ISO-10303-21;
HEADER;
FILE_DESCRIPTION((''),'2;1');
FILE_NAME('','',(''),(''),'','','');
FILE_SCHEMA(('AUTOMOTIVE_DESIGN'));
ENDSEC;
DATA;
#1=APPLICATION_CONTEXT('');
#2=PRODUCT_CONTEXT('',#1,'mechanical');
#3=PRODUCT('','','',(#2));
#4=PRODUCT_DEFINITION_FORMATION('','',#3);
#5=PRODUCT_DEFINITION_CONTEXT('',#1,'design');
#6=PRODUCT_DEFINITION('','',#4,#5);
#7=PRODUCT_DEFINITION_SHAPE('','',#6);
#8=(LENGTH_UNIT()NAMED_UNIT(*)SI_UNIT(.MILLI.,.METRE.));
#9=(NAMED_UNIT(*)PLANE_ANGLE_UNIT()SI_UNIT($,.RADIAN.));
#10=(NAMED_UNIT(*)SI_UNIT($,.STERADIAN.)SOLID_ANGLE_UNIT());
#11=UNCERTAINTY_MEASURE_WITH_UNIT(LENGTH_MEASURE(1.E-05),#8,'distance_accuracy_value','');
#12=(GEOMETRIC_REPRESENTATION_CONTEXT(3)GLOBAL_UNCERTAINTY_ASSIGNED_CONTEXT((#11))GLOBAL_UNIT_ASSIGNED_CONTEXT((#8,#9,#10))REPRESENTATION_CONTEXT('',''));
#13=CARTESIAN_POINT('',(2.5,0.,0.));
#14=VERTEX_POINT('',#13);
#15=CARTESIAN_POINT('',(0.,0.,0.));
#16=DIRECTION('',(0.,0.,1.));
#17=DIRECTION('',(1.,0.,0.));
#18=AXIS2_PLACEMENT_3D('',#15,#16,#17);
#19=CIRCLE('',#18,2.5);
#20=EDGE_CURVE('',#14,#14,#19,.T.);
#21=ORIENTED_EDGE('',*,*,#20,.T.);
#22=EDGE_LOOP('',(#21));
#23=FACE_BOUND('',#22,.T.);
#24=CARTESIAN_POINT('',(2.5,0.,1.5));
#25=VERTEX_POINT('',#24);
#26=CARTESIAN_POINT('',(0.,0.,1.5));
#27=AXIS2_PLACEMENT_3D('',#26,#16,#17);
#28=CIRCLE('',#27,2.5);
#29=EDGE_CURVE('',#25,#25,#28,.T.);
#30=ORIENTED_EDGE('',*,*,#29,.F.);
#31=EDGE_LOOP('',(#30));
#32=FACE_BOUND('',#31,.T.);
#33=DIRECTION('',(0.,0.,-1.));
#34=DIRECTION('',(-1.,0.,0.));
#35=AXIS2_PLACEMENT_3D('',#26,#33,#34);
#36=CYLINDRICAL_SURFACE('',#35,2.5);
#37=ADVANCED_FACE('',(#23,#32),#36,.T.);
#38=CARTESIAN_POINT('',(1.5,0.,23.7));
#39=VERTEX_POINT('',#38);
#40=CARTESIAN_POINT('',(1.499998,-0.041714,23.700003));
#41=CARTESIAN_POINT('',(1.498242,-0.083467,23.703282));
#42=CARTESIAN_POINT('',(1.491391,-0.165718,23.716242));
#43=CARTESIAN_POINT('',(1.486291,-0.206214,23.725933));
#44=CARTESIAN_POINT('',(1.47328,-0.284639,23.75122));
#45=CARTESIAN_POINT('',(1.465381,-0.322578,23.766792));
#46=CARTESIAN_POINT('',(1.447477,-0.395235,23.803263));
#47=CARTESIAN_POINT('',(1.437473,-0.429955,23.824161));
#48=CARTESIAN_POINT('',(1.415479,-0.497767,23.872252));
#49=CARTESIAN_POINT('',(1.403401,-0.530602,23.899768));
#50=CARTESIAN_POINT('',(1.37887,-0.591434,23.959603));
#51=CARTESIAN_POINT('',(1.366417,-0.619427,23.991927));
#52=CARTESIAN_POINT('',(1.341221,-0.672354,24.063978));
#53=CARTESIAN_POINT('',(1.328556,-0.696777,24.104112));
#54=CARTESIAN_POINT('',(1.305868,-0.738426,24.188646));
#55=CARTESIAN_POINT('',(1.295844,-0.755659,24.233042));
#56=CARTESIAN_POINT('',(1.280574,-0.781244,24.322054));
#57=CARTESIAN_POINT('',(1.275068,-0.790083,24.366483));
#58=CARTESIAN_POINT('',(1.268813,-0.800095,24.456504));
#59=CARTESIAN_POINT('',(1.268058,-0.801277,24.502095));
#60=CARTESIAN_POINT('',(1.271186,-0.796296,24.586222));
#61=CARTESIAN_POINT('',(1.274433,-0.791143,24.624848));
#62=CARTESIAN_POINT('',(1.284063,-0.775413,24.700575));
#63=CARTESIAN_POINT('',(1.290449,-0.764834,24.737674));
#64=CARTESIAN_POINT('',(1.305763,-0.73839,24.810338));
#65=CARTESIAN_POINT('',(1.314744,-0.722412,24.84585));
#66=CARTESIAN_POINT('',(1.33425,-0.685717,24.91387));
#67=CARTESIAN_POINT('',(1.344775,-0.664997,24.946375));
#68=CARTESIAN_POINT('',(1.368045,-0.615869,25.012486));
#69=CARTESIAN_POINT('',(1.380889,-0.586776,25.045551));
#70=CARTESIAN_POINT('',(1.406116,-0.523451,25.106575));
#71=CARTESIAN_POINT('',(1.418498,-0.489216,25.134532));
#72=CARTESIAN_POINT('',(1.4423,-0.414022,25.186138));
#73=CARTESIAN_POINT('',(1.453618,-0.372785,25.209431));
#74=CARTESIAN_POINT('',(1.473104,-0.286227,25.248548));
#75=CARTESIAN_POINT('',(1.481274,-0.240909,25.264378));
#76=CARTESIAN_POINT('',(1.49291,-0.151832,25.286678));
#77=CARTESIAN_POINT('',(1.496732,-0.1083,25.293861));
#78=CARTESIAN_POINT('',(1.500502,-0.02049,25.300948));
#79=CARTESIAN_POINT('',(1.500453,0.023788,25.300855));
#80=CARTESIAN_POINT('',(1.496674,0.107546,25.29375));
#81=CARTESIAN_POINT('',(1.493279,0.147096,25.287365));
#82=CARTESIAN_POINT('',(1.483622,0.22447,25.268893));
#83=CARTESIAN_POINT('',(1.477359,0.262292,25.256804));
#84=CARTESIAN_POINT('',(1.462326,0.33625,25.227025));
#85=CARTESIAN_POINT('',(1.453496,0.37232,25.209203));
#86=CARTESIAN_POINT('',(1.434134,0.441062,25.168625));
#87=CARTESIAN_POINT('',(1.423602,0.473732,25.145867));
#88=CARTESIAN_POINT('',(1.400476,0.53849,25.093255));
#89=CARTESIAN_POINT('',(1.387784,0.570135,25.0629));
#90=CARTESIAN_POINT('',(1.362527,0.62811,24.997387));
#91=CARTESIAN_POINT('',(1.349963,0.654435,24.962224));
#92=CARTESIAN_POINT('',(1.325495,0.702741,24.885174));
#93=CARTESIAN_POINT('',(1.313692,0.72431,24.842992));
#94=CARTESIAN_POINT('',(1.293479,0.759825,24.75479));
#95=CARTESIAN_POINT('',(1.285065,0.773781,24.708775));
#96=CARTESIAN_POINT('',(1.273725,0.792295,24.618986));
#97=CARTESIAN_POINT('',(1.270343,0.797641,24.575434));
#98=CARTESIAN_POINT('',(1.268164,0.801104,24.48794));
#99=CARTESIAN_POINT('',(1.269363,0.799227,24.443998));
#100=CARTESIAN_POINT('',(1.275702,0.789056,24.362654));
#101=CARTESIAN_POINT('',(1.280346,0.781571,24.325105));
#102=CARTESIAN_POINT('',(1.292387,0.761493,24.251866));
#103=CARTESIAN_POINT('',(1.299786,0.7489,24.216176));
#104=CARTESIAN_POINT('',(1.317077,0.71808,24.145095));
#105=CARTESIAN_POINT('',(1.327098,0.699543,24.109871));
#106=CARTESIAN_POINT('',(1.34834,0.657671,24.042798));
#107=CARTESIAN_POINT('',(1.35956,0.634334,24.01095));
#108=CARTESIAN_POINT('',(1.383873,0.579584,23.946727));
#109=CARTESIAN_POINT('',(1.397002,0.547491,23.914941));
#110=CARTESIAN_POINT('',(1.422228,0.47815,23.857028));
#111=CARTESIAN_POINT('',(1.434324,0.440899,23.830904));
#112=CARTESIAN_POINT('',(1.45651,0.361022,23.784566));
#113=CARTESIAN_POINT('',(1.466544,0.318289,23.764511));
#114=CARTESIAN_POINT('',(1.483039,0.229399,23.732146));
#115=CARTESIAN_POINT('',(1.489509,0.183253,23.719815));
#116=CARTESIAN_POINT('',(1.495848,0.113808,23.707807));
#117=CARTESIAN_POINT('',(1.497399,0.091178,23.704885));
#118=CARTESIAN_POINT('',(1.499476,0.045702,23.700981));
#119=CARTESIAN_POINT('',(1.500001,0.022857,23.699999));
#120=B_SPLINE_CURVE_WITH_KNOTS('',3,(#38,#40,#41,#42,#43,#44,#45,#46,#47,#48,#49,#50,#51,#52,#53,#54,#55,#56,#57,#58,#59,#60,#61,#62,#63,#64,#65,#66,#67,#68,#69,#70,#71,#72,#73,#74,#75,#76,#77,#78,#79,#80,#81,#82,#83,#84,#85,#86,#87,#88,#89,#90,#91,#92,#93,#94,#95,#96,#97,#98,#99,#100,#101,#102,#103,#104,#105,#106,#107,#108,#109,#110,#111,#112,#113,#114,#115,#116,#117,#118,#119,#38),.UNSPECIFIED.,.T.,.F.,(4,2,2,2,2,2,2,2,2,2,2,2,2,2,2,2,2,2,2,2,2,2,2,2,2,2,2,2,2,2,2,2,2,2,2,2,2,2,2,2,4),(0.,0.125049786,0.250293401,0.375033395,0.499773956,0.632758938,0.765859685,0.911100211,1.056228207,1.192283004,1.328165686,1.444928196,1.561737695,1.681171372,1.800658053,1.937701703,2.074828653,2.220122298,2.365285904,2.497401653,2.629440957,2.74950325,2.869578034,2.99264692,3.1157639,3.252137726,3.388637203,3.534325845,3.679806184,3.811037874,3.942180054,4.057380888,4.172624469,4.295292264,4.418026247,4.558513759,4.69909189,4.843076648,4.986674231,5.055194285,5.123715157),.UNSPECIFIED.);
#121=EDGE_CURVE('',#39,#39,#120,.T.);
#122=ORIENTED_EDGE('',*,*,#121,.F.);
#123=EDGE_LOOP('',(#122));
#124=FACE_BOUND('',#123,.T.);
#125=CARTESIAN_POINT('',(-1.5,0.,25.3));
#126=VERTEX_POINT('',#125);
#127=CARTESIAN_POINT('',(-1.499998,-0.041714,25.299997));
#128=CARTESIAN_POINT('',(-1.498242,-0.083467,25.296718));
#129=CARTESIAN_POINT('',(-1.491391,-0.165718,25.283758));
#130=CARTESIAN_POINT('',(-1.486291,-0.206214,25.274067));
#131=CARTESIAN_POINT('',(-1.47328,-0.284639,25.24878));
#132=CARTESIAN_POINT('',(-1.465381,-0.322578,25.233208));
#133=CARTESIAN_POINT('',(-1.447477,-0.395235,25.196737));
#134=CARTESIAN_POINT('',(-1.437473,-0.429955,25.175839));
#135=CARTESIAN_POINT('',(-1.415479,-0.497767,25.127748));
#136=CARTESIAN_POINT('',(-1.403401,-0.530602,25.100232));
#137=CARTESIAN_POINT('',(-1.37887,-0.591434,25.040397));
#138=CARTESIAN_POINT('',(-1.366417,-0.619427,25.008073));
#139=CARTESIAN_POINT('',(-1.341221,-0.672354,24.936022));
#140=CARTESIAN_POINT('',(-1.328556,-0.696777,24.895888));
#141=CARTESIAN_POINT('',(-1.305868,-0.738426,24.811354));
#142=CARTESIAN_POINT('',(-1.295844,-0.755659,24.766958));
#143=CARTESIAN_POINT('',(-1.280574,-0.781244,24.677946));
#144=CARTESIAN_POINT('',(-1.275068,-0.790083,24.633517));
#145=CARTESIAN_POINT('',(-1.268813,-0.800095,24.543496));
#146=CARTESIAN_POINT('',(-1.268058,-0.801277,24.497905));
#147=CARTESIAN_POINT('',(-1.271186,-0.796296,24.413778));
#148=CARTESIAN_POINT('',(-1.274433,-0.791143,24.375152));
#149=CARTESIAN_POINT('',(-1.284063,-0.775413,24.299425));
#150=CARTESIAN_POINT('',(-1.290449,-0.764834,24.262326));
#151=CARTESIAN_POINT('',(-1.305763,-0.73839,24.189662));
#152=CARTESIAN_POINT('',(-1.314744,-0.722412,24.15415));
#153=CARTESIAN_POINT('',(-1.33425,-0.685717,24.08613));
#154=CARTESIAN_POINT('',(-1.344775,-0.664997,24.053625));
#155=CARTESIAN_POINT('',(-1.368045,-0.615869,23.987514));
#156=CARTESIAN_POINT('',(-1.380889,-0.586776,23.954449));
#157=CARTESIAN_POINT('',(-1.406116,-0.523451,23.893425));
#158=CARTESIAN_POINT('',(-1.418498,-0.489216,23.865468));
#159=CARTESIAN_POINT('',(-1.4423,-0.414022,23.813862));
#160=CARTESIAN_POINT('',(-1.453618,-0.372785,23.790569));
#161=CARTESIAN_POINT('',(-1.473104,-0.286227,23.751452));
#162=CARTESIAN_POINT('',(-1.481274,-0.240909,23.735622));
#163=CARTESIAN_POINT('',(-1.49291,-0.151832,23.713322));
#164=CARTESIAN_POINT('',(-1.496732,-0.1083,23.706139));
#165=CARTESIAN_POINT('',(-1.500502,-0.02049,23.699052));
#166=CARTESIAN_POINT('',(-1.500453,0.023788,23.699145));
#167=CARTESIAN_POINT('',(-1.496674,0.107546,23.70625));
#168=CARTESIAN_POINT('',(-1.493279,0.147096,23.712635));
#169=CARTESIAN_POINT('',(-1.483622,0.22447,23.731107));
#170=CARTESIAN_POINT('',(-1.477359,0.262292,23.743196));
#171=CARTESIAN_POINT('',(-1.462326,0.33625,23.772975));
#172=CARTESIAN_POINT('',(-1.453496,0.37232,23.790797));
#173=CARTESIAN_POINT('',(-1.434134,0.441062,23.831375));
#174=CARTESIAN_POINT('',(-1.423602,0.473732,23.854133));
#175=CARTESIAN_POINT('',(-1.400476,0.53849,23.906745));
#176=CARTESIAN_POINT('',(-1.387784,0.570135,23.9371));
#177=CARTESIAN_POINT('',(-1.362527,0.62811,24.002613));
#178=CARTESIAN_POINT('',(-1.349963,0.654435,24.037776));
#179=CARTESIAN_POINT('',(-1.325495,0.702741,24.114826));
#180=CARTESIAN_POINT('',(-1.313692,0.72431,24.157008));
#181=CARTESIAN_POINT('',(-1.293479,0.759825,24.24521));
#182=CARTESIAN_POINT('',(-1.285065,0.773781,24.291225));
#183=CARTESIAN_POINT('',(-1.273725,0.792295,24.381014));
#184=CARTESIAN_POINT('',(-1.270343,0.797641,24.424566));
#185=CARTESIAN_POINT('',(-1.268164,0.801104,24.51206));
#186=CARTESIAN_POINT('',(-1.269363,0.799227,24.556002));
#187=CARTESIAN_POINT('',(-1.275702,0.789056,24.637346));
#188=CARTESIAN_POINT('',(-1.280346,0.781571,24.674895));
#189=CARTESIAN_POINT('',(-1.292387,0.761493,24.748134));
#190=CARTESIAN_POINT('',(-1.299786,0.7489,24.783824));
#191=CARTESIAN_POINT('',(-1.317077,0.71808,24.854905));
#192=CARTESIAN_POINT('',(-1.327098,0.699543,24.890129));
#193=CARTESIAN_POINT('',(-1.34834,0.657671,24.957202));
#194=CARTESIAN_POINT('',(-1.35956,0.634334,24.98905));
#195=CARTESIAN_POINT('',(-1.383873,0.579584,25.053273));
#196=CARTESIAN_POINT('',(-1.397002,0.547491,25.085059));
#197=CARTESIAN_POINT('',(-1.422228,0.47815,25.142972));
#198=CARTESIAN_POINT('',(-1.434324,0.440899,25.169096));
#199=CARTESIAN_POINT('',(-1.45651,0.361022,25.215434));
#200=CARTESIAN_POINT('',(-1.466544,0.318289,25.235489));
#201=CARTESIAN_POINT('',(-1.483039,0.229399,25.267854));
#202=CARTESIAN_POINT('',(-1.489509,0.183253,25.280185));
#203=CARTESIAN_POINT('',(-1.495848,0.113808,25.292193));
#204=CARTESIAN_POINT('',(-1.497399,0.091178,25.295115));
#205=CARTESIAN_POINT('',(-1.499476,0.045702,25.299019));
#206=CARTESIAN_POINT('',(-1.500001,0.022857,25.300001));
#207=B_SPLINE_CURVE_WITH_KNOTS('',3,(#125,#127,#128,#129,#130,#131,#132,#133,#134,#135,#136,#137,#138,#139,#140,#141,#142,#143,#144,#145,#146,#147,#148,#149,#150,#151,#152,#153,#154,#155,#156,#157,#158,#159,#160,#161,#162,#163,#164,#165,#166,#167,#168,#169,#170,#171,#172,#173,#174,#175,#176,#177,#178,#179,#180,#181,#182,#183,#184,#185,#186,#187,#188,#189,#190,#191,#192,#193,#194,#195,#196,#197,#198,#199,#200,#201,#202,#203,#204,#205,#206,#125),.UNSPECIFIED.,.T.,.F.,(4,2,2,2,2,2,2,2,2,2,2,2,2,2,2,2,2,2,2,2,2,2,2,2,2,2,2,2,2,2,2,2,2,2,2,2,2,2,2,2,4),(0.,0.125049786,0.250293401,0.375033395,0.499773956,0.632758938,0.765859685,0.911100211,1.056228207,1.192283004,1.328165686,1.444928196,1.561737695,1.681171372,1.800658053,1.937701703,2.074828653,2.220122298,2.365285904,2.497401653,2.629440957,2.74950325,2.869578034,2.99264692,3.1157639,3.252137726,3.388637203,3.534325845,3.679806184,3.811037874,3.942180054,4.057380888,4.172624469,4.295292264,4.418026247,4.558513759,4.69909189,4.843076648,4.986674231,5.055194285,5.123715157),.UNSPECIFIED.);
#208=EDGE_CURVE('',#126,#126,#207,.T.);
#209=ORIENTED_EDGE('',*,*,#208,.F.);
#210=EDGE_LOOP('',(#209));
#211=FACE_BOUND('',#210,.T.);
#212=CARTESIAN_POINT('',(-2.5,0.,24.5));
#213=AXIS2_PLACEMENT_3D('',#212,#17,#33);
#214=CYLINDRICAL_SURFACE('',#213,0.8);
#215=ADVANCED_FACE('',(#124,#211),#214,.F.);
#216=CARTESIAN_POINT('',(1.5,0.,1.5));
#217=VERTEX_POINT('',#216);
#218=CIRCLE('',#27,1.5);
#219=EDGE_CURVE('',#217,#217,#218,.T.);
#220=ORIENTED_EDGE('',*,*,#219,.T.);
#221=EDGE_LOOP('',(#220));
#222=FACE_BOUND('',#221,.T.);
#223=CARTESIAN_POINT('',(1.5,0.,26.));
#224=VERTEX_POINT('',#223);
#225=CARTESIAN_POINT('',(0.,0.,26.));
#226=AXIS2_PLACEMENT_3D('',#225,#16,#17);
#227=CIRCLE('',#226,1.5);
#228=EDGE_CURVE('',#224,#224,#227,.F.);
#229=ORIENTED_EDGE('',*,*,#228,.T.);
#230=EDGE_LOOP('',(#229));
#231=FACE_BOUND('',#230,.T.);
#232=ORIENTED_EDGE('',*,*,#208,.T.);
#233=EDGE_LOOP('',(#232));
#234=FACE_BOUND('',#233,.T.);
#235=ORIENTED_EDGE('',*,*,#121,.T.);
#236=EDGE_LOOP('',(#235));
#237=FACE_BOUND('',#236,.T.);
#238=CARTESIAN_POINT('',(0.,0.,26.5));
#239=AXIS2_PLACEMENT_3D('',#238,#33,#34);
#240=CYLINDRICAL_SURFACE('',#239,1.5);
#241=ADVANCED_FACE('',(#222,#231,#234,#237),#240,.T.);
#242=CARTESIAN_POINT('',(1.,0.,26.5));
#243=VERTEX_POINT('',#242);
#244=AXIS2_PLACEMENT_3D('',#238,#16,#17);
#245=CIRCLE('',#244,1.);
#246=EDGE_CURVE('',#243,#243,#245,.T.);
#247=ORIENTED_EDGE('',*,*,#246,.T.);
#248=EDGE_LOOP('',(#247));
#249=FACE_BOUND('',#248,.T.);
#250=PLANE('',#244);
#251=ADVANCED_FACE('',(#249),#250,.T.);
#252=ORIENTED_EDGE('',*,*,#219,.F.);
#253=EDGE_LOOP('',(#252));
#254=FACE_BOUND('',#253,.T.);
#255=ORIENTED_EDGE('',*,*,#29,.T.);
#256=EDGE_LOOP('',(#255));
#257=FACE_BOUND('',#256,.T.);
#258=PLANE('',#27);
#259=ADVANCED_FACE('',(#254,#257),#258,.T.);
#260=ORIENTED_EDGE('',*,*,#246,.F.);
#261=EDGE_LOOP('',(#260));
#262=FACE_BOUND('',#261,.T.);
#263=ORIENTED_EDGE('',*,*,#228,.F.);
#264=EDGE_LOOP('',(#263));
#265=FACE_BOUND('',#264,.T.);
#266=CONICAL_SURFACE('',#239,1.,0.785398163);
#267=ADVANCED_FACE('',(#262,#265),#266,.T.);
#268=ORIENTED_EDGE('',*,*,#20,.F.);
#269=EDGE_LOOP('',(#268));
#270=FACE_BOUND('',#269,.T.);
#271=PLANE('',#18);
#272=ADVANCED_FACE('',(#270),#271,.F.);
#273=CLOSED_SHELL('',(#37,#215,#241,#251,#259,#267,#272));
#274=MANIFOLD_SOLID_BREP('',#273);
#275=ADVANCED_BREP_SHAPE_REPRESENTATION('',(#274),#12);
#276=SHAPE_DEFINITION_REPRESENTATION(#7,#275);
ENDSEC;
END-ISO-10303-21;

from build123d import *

# Parameters (mm, degrees)
SKETCH_1_R          = 2.5
EXTRUDE_1_DEPTH     = 1.5
SKETCH_2_R          = 1.5
EXTRUDE_2_DEPTH     = 25
SKETCH_3_R          = 0.8
CUT_EXTRUDE_1_DEPTH = 27.916537667
CHAMFER_1_SIZE      = 0.5


with BuildPart() as part:
    # 草图1 → 凸台-拉伸1 (new body)
    with BuildSketch(Plane.XY):
        Circle(SKETCH_1_R)
    extrude(amount=EXTRUDE_1_DEPTH)

    # 草图2 → 凸台-拉伸2 (add)
    with BuildSketch(Plane.XY.offset(1.5)):
        Circle(SKETCH_2_R)
    extrude(amount=EXTRUDE_2_DEPTH)

    # 草图3 → 切除-拉伸1 (cut, through all)
    with BuildSketch(Plane(origin=(1.5, 0, 0), x_dir=(0, 0, -1), z_dir=(1, 0, 0))):
        with Locations(Location((-24.5, 0, 0), (0, 0, 180))):
            Circle(SKETCH_3_R)
    extrude(amount=-CUT_EXTRUDE_1_DEPTH, mode=Mode.SUBTRACT)

    # 倒角1
    chamfer_1_edges = [part.edges().sort_by_distance(p)[0] for p in [
        (-1.5, 0, 26.5),
    ]]
    chamfer(chamfer_1_edges, length=CHAMFER_1_SIZE)


solid = part.part
